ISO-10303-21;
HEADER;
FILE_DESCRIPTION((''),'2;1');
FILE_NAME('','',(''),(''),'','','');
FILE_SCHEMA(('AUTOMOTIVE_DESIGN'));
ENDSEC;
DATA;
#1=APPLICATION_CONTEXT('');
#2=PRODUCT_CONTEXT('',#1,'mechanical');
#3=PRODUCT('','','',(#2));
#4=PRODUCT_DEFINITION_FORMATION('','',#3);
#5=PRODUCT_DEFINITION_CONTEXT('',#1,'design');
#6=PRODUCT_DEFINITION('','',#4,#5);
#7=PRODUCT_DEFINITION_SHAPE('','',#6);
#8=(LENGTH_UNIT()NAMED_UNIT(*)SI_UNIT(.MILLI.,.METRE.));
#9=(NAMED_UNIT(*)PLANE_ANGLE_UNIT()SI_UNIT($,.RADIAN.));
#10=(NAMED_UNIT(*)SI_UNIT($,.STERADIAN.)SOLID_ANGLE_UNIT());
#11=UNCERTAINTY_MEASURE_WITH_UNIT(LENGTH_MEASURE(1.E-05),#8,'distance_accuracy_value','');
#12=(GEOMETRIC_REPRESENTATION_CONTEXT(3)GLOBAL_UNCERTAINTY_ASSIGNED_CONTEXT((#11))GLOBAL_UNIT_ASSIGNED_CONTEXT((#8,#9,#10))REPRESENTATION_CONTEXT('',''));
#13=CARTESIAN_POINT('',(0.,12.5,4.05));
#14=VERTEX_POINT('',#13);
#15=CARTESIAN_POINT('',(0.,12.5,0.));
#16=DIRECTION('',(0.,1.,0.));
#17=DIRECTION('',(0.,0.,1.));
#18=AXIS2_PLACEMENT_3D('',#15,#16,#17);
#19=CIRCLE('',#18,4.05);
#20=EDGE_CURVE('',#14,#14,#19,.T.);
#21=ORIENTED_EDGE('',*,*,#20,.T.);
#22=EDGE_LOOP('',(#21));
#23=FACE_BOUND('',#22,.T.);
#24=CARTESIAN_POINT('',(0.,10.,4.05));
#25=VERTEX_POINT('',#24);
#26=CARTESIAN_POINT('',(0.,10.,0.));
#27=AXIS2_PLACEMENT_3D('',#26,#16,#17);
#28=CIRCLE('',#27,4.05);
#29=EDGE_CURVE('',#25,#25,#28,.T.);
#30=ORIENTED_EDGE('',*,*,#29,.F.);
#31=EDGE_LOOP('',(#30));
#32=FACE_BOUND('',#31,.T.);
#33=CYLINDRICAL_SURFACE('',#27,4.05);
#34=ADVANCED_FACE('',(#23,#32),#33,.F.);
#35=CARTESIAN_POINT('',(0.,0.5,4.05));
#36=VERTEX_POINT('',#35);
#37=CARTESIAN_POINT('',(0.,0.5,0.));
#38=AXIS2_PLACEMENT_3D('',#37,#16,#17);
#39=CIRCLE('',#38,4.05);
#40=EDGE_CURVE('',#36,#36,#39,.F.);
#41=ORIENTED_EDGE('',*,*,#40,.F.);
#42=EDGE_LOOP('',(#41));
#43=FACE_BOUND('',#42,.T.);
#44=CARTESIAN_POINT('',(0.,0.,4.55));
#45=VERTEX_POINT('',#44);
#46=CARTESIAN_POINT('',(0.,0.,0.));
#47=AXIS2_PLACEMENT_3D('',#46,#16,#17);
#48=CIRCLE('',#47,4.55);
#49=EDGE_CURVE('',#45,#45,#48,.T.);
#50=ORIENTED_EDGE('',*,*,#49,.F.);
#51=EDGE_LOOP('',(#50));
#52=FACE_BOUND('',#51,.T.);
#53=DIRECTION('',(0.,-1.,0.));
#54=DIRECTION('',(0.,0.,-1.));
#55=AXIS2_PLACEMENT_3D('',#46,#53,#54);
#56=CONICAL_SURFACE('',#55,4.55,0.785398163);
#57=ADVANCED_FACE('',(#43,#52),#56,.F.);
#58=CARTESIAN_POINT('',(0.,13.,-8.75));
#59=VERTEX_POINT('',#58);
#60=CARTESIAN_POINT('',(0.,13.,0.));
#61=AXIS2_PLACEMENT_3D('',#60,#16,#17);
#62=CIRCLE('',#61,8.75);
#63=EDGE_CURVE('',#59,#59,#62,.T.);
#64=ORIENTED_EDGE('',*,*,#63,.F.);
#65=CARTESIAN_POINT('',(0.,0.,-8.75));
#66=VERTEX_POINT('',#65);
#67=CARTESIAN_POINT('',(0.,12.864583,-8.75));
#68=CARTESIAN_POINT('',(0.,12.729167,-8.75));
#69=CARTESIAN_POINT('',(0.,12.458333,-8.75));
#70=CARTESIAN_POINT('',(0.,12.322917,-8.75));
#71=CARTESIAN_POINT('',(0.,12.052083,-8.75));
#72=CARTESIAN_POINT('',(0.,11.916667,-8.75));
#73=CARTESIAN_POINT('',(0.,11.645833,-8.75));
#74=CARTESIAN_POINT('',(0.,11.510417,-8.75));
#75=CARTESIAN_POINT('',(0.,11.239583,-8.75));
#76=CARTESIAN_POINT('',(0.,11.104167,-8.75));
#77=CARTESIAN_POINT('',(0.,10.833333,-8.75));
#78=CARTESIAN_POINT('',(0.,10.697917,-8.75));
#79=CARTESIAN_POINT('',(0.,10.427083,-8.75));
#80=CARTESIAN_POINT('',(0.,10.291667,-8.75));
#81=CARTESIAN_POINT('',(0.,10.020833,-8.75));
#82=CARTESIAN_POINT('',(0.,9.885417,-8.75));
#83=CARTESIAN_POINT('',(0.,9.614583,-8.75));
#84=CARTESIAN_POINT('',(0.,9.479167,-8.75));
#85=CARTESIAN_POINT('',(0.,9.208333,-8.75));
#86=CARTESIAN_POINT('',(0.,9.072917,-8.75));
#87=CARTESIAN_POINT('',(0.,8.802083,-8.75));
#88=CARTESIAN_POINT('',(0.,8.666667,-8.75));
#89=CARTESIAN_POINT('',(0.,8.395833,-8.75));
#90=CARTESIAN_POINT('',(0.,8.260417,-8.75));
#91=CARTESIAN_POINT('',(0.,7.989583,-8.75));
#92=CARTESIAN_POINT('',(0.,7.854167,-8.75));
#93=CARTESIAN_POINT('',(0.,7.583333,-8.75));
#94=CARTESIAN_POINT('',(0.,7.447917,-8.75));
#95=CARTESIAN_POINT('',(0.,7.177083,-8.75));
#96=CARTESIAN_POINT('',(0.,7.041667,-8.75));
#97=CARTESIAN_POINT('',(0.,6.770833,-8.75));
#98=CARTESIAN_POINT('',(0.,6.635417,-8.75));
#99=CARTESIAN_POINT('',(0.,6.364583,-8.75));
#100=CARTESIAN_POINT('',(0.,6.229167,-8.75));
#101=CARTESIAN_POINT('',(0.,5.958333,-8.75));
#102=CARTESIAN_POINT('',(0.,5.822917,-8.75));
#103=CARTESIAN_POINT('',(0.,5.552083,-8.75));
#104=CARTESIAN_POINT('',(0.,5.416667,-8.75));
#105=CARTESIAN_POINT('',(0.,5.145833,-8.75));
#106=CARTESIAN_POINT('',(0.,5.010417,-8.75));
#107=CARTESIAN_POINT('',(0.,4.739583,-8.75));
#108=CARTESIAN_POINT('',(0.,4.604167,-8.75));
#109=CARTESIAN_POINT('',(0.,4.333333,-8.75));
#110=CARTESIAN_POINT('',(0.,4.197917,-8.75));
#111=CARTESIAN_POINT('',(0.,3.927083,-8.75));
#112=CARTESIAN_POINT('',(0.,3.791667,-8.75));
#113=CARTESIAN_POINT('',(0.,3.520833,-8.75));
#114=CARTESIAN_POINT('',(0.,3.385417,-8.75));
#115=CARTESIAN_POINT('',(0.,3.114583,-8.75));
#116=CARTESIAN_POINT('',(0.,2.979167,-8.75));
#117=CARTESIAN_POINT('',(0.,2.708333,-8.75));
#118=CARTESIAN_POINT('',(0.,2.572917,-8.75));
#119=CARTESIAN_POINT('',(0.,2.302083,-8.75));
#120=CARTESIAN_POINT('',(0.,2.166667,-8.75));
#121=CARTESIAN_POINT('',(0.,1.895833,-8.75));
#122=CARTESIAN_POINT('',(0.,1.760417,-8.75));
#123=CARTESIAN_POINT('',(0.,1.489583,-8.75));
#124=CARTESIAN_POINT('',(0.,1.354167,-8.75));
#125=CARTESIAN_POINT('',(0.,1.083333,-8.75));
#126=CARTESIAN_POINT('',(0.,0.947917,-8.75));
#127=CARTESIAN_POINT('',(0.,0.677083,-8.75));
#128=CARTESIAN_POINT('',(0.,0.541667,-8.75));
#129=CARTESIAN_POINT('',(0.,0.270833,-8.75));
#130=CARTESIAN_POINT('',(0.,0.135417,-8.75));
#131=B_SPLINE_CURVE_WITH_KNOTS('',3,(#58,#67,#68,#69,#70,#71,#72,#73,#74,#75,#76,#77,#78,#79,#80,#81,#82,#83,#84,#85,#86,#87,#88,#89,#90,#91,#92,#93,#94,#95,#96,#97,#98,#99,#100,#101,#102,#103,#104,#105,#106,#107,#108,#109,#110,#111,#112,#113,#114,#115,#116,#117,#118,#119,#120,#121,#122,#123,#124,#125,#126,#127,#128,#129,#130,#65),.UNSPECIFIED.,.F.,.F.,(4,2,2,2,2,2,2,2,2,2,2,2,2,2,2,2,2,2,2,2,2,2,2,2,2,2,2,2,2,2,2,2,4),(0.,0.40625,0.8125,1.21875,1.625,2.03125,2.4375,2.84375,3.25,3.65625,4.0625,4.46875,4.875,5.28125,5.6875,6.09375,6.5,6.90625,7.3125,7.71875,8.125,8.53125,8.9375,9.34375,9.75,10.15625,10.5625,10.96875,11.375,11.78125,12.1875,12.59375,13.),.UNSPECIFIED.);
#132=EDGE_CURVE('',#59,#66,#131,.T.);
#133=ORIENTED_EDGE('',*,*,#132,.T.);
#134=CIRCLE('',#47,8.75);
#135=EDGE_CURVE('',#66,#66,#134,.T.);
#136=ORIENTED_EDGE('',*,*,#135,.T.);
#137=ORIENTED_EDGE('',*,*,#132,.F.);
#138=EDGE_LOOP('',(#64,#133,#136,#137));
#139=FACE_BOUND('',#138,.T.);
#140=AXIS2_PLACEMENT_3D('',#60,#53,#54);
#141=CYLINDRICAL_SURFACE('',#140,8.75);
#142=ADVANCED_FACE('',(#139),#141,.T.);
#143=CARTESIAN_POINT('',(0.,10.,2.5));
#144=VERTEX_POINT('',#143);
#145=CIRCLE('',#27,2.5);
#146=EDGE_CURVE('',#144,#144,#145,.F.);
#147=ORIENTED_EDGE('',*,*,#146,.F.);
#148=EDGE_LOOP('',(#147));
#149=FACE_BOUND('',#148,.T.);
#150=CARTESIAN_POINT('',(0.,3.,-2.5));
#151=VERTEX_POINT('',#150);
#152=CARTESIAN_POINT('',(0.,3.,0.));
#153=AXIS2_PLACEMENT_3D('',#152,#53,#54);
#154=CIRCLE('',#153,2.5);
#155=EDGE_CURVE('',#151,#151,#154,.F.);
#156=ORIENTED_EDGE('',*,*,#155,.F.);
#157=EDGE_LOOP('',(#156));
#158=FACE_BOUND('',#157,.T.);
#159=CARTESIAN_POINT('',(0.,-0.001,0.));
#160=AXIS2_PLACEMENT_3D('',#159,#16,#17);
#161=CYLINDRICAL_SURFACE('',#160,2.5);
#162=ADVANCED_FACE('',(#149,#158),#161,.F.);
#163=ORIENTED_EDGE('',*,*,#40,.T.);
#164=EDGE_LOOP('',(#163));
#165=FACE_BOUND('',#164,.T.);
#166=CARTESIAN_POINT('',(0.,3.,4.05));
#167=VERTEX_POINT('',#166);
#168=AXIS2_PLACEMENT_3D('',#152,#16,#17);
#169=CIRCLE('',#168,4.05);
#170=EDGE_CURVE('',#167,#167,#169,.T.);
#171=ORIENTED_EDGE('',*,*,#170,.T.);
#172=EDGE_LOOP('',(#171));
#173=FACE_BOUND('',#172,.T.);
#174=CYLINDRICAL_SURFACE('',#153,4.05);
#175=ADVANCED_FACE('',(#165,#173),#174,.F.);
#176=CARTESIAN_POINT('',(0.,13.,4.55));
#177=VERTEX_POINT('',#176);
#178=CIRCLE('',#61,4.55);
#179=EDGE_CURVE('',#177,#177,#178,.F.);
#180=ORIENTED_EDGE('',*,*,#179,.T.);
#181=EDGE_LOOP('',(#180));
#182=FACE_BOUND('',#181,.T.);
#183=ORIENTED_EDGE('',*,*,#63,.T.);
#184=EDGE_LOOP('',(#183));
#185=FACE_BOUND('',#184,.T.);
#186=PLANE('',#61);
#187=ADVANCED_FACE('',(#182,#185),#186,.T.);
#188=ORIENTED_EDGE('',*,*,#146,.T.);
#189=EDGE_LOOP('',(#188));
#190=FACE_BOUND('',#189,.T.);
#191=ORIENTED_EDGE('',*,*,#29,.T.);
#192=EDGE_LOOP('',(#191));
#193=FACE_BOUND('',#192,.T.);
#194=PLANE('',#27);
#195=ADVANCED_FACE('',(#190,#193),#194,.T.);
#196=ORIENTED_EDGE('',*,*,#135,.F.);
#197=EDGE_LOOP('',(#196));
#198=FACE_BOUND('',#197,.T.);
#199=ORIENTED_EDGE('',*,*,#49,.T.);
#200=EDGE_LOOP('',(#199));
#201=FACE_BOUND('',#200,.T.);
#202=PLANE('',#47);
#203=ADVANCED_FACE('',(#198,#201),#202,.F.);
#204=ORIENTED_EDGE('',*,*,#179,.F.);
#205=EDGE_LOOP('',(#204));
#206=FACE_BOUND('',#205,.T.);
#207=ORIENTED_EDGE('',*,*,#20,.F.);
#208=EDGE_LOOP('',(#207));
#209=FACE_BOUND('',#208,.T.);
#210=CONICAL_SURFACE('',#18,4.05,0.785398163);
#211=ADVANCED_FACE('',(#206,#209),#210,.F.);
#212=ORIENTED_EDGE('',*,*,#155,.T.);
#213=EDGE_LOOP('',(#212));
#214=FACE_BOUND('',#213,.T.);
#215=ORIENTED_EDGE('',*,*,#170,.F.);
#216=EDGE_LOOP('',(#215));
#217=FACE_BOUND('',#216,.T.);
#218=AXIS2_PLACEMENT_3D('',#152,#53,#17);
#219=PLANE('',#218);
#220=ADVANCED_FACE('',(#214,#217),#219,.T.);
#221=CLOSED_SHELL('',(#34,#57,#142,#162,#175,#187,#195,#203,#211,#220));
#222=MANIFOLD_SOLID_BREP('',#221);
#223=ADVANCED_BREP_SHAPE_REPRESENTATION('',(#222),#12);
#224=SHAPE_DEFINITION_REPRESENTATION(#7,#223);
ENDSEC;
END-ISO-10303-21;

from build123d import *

# Parameters (mm, degrees)
SKETCH1_R           = 8.75
BOSS_EXTRUDE1_DEPTH = 13
CUT_EXTRUDE1_REACH  = 19.948
SKETCH2_R           = 2.5
SKETCH3_R           = 4.05
CUT_EXTRUDE2_DEPTH  = 3
CHAMFER1_SIZE       = 0.5


with BuildPart() as part:
    # Sketch1 → Boss-Extrude1 (new body)
    with BuildSketch(Plane(origin=(0, 0, 0), x_dir=(1, 0, 0), z_dir=(0, 1, 0))):
        with Locations(Location((0, 0, 0), (0, 0, 90))):
            Circle(SKETCH1_R)
    extrude(amount=BOSS_EXTRUDE1_DEPTH)

    # Sketch2 → Cut-Extrude1 (cut, up to next)
    with BuildSketch(Plane(origin=(0, 13, 0), x_dir=(1, 0, 0), z_dir=(0, 1, 0)), mode=Mode.PRIVATE) as cut_extrude1_sk1:
        with Locations(Location((0, 0, 0), (0, 0, 270))):
            Circle(SKETCH2_R)
    cut_extrude1_tool1 = extrude(cut_extrude1_sk1.sketch, amount=-CUT_EXTRUDE1_REACH, mode=Mode.PRIVATE) & part.part
    add(cut_extrude1_tool1.solids().sort_by_distance((0, 13, 0))[0], mode=Mode.SUBTRACT)

    # Sketch3 → Cut-Extrude2 (cut)
    with BuildSketch(Plane(origin=(0, 13, 0), x_dir=(1, 0, 0), z_dir=(0, 1, 0))):
        with Locations(Location((0, 0, 0), (0, 0, 270))):
            Circle(SKETCH3_R)
    cut_extrude2 = extrude(amount=-CUT_EXTRUDE2_DEPTH, mode=Mode.SUBTRACT)

    # Mirror3: Cut-Extrude2 across plane
    add(cut_extrude2.mirror(Plane.ZX.offset(6.5)), mode=Mode.SUBTRACT)

    # Chamfer1
    chamfer1_edges = [part.edges().sort_by_distance(p)[0] for p in [
        (0, 13, -4.05),
        (0, 0, -4.05),
    ]]
    chamfer(chamfer1_edges, length=CHAMFER1_SIZE)


solid = part.part
